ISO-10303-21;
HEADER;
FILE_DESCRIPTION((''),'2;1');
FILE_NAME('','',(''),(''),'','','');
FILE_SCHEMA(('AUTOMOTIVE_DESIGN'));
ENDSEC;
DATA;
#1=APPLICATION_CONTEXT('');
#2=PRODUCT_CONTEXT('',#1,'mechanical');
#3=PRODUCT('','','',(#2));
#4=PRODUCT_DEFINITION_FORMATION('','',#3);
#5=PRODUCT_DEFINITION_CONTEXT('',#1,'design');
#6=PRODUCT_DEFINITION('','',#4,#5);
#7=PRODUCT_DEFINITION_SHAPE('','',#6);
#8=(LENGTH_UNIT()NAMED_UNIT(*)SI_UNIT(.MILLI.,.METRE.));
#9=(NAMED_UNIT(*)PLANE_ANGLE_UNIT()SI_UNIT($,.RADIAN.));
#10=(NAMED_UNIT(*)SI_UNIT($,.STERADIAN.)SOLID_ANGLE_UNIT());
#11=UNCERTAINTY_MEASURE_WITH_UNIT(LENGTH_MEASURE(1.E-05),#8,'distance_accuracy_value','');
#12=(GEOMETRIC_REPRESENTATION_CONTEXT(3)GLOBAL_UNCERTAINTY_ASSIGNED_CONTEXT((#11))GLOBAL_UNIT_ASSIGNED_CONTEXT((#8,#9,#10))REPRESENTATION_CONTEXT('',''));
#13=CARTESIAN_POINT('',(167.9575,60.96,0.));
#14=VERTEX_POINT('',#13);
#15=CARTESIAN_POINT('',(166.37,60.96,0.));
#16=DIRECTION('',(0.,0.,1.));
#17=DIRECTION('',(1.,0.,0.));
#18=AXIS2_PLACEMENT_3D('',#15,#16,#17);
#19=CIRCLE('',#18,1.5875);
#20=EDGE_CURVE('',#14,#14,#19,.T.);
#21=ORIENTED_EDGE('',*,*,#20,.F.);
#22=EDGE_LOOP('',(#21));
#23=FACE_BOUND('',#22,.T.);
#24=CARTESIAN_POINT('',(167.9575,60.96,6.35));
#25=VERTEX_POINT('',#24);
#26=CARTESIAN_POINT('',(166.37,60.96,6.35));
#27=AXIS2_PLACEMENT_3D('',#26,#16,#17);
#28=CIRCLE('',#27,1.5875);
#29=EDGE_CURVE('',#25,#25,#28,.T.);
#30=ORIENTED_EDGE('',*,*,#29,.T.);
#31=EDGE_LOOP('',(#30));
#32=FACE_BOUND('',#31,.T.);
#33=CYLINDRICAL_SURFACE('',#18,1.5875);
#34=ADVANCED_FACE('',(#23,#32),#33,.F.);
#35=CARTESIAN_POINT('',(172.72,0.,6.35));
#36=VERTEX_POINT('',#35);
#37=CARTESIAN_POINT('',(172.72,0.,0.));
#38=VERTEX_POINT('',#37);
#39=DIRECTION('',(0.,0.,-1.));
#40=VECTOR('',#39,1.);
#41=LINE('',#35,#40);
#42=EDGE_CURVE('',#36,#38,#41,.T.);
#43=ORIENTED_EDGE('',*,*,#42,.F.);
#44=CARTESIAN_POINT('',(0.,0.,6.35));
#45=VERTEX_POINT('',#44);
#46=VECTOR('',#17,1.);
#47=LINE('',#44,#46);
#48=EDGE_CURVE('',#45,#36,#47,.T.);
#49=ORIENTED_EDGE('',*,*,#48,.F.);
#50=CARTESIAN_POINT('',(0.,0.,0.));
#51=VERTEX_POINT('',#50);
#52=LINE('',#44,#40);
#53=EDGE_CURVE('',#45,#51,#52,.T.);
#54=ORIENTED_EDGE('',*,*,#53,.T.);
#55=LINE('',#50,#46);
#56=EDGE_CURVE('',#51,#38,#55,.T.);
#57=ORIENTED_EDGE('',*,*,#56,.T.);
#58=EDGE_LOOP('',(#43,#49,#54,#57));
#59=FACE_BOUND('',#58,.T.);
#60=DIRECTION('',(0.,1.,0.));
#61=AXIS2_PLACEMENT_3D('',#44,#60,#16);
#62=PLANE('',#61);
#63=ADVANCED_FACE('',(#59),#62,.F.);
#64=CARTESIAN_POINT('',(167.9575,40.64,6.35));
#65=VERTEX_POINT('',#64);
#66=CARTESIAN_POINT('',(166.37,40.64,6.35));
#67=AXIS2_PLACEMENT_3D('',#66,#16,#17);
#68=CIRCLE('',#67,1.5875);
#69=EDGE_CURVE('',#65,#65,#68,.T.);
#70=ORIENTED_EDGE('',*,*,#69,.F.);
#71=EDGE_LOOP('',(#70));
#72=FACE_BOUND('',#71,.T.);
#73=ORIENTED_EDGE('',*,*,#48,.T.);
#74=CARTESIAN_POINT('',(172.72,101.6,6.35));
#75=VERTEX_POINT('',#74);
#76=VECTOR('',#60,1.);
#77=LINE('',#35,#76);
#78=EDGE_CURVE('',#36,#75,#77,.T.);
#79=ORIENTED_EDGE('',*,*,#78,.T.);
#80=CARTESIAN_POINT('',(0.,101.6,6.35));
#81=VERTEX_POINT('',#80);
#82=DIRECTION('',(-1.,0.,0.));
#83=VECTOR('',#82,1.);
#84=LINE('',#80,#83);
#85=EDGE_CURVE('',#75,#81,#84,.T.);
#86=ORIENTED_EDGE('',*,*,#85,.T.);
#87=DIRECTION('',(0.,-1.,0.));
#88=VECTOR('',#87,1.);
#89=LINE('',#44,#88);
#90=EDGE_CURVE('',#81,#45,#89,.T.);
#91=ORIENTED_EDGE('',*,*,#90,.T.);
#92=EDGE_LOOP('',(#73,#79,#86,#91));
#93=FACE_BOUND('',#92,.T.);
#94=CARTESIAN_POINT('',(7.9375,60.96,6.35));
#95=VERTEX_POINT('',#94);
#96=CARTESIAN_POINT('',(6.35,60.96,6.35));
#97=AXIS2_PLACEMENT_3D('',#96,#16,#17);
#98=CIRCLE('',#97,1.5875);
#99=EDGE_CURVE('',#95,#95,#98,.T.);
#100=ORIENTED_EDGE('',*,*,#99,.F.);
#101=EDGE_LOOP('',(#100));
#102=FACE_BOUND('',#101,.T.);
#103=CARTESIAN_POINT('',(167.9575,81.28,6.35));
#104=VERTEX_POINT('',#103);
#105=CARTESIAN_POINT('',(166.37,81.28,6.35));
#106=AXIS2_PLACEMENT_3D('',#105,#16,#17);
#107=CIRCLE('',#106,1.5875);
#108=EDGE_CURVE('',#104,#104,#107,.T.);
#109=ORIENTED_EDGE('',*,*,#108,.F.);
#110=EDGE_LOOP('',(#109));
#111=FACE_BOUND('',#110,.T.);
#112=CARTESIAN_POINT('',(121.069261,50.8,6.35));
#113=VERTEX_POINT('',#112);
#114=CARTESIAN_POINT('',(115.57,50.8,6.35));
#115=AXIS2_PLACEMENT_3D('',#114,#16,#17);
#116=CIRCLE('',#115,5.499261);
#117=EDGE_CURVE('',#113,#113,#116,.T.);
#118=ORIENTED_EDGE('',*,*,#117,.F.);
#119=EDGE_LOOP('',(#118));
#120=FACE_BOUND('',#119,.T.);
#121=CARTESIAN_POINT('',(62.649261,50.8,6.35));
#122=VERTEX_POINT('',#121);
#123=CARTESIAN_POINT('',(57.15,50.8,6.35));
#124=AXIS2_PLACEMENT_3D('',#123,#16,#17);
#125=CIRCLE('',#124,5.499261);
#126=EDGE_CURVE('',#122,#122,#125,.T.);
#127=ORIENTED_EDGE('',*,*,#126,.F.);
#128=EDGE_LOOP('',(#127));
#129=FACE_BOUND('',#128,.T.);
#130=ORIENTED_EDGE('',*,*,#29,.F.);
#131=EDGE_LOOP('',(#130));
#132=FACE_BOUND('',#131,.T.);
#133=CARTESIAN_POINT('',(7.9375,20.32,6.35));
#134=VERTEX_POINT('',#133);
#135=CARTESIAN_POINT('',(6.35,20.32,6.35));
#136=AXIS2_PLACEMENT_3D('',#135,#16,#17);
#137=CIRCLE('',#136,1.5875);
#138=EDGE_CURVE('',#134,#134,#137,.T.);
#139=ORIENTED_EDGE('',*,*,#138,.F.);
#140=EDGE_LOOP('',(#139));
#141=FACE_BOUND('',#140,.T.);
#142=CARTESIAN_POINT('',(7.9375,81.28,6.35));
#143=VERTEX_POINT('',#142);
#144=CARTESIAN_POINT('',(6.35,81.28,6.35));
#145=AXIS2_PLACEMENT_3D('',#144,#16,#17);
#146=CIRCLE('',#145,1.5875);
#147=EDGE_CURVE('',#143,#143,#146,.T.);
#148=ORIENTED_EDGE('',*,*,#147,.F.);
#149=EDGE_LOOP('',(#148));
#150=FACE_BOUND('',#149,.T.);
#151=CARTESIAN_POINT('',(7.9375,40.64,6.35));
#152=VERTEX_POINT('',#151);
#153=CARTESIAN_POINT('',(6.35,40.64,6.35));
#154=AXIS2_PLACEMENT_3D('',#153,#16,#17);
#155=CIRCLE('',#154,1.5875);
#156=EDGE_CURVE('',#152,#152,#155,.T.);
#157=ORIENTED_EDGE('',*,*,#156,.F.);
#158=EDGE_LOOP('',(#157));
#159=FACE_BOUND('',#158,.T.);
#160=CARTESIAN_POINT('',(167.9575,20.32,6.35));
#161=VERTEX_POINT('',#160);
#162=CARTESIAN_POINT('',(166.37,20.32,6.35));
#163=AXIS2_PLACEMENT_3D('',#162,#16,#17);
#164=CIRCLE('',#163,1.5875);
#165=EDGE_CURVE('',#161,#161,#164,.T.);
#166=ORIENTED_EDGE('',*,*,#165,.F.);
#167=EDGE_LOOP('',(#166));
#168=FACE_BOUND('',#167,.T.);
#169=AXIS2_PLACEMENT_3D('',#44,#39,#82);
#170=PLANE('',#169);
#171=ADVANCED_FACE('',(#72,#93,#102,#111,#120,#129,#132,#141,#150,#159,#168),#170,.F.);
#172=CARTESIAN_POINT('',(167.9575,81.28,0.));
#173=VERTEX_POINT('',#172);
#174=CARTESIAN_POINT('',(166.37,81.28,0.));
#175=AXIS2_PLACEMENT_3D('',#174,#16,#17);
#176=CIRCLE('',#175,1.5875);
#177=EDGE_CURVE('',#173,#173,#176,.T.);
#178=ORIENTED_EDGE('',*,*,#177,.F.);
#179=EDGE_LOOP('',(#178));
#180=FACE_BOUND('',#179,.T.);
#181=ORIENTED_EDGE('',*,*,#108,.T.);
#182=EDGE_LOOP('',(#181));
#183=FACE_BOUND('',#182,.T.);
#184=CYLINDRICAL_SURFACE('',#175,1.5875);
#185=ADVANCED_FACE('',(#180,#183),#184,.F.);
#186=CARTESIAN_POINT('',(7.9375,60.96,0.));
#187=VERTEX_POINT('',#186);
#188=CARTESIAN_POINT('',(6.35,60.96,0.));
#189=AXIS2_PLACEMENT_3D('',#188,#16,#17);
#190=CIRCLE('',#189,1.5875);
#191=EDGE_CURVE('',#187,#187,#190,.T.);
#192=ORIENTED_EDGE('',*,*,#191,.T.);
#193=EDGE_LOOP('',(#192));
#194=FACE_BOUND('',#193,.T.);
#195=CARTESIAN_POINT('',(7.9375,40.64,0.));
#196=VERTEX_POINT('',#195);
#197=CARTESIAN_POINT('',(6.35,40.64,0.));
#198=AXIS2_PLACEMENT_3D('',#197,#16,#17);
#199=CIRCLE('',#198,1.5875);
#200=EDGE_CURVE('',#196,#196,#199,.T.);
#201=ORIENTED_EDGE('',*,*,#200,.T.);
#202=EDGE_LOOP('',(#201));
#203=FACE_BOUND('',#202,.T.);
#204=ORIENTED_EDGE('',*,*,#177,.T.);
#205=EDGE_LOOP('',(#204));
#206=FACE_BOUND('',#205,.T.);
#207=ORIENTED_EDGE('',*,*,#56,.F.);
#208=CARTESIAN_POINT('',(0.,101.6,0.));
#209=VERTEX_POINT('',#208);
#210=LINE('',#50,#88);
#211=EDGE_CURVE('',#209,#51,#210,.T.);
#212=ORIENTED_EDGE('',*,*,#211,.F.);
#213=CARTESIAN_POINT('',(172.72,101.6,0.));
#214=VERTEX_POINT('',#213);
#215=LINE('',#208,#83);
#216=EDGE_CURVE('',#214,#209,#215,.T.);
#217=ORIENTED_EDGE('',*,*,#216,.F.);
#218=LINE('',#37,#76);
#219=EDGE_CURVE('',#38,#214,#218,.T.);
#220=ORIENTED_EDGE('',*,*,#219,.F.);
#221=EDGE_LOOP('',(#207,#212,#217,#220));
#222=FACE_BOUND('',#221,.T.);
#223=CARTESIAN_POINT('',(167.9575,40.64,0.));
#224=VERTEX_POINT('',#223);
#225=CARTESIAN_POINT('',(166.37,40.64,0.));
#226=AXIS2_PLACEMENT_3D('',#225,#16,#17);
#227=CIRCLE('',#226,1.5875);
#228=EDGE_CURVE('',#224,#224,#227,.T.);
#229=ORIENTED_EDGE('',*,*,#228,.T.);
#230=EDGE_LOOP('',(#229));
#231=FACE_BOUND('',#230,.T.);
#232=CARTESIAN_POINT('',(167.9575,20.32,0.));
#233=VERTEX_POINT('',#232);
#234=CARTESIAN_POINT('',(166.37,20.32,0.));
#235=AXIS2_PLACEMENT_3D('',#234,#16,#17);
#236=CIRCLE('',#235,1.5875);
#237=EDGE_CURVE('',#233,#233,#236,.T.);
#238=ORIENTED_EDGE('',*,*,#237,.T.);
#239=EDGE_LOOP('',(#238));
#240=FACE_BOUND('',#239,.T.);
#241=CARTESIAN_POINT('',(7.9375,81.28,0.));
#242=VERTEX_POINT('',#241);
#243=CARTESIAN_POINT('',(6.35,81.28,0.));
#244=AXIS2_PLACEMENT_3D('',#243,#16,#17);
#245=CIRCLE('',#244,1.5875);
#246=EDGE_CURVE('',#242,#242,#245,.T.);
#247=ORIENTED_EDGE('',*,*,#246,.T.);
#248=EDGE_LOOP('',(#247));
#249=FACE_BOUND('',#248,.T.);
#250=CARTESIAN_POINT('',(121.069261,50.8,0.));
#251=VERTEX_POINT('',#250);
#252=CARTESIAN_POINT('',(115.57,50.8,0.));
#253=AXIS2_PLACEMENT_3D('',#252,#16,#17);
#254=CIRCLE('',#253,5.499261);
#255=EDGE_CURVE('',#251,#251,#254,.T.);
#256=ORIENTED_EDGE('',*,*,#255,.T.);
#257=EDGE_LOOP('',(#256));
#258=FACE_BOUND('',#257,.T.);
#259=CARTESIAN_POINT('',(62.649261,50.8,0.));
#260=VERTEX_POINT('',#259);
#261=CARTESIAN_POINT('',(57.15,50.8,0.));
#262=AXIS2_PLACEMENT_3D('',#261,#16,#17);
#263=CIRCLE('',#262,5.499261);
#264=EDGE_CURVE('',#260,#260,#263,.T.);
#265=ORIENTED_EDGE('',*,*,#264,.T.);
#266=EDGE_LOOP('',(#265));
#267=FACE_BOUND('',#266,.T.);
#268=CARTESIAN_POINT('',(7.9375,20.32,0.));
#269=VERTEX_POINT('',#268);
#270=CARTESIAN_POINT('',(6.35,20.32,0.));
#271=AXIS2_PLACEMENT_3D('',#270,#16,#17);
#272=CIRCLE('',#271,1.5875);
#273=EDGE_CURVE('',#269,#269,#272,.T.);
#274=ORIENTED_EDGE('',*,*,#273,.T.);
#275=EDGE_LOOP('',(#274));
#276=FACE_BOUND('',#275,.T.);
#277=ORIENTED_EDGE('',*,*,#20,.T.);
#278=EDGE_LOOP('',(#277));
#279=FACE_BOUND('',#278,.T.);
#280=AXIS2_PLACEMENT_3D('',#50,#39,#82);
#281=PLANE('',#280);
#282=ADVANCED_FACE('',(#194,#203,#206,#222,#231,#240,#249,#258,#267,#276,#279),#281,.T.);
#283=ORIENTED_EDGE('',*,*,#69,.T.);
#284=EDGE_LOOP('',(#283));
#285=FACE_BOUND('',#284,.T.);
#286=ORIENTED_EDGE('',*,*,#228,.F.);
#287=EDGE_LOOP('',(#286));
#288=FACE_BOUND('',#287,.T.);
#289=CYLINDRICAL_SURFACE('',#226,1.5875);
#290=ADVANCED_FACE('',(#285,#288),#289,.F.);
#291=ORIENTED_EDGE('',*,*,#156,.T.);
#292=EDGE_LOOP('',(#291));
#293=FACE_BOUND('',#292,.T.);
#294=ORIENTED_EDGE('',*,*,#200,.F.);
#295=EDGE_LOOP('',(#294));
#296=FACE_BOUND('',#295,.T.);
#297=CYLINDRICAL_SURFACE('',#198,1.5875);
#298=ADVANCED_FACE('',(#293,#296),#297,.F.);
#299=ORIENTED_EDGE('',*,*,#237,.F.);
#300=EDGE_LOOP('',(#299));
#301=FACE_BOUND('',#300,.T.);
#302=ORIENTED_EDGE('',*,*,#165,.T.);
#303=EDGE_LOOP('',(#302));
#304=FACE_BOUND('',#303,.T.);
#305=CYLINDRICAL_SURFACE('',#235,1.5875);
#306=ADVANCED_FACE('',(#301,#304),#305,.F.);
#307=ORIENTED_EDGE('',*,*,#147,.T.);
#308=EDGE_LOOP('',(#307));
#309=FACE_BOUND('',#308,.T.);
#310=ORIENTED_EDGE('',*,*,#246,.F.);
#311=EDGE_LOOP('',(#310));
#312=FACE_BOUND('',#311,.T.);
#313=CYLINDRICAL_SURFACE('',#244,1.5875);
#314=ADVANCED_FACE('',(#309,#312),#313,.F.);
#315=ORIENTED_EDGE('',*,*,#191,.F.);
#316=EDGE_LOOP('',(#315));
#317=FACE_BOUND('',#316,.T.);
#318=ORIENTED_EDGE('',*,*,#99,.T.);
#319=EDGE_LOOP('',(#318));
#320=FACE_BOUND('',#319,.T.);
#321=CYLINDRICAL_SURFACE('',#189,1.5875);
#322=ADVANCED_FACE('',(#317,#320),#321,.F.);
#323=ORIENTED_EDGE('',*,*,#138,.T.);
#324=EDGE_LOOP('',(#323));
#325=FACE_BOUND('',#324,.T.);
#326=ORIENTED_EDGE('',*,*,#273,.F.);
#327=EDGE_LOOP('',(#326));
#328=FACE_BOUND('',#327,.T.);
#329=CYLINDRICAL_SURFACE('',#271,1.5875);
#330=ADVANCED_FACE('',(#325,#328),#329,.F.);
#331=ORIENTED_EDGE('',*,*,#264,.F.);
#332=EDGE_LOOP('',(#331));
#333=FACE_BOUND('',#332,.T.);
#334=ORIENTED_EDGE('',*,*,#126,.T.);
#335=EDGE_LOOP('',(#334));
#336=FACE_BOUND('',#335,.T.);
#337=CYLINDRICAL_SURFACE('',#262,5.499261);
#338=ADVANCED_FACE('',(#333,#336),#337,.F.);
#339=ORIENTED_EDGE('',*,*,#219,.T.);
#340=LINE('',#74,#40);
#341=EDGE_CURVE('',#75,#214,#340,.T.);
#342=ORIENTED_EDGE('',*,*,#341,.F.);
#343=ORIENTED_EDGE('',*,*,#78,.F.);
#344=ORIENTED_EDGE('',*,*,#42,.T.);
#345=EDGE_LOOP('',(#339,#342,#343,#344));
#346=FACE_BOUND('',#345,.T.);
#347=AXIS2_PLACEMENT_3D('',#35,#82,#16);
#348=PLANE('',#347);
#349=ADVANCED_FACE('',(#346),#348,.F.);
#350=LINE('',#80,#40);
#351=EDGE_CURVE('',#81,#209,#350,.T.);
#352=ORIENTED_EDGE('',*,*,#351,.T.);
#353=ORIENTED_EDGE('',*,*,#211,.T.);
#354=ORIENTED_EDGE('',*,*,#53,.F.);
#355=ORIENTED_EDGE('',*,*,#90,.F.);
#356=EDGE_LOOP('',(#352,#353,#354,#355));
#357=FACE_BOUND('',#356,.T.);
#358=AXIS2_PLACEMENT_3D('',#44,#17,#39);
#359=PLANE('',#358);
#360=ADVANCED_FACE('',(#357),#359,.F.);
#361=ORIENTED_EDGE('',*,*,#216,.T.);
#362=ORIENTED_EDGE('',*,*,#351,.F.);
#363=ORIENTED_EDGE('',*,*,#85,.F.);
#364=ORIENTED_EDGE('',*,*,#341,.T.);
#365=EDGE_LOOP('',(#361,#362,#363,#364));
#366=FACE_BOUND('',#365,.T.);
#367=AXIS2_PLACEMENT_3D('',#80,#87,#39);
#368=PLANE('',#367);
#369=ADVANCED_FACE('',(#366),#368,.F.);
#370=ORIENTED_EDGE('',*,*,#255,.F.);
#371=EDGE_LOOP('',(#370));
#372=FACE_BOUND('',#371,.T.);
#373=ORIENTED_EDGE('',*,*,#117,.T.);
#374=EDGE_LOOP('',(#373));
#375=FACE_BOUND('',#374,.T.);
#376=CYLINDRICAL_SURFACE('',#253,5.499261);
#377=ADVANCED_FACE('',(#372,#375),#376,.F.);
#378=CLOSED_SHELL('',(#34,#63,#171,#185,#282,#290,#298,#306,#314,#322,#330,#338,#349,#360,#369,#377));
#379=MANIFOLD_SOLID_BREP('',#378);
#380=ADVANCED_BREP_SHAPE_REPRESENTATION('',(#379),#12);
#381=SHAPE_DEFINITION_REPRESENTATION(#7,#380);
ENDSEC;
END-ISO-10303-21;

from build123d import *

# Parameters (mm, degrees)
SKETCH1_W           = 172.72
SKETCH1_H           = 101.6
BOSS_EXTRUDE1_DEPTH = 6.35
SKETCH2_R           = 1.5875
CUT_EXTRUDE1_DEPTH  = 6.35
SKETCH5_R           = 5.499261314
CUT_EXTRUDE3_DEPTH  = 6.35


with BuildPart() as part:
    # Sketch1 → Boss-Extrude1 (new body)
    with BuildSketch(Plane.XY):
        with Locations((86.36, 50.8)):
            Rectangle(SKETCH1_W, SKETCH1_H)
    extrude(amount=BOSS_EXTRUDE1_DEPTH)

    # Sketch2 → Cut-Extrude1 (cut)
    with BuildSketch(Plane.XY.offset(6.35)):
        with Locations((6.35, 81.28)):
            Circle(SKETCH2_R)
        with Locations((6.35, 60.96)):
            Circle(SKETCH2_R)
        with Locations((6.35, 40.64)):
            Circle(SKETCH2_R)
        with Locations((6.35, 20.32)):
            Circle(SKETCH2_R)
        with Locations((166.37, 20.32)):
            Circle(SKETCH2_R)
        with Locations((166.37, 40.64)):
            Circle(SKETCH2_R)
        with Locations((166.37, 60.96)):
            Circle(SKETCH2_R)
        with Locations((166.37, 81.28)):
            Circle(SKETCH2_R)
    extrude(amount=-CUT_EXTRUDE1_DEPTH, mode=Mode.SUBTRACT)

    # Sketch5 → Cut-Extrude3 (cut)
    with BuildSketch(Plane.XY.offset(6.35)):
        with Locations((115.57, 50.8)):
            Circle(SKETCH5_R)
        with Locations((57.15, 50.8)):
            Circle(SKETCH5_R)
    extrude(amount=-CUT_EXTRUDE3_DEPTH, mode=Mode.SUBTRACT)


solid = part.part
